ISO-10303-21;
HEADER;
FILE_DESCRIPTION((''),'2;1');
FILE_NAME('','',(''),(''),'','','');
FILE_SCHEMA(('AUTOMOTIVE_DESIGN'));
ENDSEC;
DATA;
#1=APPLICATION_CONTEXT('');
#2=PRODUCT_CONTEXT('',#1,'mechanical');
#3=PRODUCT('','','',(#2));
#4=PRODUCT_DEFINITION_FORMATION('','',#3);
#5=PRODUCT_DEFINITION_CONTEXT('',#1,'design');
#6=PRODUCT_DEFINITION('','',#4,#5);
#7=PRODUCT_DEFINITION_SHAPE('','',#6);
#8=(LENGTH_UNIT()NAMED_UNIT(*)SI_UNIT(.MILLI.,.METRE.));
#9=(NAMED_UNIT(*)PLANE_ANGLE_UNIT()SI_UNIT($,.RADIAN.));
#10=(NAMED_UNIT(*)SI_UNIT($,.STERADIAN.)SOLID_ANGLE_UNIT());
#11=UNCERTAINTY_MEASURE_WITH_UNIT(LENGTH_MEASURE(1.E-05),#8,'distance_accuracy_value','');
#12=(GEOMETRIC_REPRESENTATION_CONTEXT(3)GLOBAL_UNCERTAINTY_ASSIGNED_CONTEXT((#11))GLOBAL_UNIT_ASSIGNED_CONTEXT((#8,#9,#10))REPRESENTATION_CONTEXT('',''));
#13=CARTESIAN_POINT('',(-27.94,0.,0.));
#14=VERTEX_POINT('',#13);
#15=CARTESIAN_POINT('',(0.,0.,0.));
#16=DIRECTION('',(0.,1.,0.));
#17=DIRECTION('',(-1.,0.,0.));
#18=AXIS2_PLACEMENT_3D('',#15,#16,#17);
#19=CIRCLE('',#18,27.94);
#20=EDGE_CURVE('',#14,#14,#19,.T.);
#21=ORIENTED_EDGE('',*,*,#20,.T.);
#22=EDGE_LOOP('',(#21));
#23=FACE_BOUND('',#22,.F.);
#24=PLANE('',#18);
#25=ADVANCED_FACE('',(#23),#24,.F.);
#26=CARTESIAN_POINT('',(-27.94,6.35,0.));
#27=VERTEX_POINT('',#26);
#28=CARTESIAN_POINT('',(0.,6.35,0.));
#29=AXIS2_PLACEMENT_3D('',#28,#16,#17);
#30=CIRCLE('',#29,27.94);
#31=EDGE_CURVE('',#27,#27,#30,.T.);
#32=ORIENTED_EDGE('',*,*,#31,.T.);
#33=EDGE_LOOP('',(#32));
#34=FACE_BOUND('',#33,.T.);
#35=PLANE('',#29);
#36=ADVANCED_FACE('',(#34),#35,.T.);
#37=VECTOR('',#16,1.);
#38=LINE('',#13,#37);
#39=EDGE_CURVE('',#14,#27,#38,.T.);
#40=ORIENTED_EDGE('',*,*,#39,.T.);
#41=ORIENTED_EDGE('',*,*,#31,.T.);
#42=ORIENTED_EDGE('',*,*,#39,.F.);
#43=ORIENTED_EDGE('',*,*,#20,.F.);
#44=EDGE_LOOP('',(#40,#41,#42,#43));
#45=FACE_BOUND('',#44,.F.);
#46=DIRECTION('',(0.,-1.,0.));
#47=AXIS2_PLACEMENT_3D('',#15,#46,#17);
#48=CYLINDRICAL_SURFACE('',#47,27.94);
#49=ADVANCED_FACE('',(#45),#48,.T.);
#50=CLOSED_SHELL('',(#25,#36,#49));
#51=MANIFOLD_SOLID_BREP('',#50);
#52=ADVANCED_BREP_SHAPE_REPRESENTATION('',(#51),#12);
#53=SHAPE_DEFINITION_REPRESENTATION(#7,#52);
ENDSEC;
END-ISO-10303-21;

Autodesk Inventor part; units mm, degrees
ref_plane "YZ Plane" through (0, 0, 0) normal (1, 0, 0) x (0, 1, 0)
ref_plane "XZ Plane" through (0, 0, 0) normal (0, 1, 0) x (-1, 0, 0)
ref_plane "XY Plane" through (0, 0, 0) normal (0, 0, 1) x (1, 0, 0)
sketch "Sketch1" plane through (0, 0, 0) normal (0, 1, 0) x (-1, 0, 0)
  circle A0 centre (0, 0) radius 27.94
  dimension "d0" = 55.88
extrude "Extrusion1" add sketch "Sketch1" along normal blind 6.35
properties part number "Track v3 Cover" material "Glass"
